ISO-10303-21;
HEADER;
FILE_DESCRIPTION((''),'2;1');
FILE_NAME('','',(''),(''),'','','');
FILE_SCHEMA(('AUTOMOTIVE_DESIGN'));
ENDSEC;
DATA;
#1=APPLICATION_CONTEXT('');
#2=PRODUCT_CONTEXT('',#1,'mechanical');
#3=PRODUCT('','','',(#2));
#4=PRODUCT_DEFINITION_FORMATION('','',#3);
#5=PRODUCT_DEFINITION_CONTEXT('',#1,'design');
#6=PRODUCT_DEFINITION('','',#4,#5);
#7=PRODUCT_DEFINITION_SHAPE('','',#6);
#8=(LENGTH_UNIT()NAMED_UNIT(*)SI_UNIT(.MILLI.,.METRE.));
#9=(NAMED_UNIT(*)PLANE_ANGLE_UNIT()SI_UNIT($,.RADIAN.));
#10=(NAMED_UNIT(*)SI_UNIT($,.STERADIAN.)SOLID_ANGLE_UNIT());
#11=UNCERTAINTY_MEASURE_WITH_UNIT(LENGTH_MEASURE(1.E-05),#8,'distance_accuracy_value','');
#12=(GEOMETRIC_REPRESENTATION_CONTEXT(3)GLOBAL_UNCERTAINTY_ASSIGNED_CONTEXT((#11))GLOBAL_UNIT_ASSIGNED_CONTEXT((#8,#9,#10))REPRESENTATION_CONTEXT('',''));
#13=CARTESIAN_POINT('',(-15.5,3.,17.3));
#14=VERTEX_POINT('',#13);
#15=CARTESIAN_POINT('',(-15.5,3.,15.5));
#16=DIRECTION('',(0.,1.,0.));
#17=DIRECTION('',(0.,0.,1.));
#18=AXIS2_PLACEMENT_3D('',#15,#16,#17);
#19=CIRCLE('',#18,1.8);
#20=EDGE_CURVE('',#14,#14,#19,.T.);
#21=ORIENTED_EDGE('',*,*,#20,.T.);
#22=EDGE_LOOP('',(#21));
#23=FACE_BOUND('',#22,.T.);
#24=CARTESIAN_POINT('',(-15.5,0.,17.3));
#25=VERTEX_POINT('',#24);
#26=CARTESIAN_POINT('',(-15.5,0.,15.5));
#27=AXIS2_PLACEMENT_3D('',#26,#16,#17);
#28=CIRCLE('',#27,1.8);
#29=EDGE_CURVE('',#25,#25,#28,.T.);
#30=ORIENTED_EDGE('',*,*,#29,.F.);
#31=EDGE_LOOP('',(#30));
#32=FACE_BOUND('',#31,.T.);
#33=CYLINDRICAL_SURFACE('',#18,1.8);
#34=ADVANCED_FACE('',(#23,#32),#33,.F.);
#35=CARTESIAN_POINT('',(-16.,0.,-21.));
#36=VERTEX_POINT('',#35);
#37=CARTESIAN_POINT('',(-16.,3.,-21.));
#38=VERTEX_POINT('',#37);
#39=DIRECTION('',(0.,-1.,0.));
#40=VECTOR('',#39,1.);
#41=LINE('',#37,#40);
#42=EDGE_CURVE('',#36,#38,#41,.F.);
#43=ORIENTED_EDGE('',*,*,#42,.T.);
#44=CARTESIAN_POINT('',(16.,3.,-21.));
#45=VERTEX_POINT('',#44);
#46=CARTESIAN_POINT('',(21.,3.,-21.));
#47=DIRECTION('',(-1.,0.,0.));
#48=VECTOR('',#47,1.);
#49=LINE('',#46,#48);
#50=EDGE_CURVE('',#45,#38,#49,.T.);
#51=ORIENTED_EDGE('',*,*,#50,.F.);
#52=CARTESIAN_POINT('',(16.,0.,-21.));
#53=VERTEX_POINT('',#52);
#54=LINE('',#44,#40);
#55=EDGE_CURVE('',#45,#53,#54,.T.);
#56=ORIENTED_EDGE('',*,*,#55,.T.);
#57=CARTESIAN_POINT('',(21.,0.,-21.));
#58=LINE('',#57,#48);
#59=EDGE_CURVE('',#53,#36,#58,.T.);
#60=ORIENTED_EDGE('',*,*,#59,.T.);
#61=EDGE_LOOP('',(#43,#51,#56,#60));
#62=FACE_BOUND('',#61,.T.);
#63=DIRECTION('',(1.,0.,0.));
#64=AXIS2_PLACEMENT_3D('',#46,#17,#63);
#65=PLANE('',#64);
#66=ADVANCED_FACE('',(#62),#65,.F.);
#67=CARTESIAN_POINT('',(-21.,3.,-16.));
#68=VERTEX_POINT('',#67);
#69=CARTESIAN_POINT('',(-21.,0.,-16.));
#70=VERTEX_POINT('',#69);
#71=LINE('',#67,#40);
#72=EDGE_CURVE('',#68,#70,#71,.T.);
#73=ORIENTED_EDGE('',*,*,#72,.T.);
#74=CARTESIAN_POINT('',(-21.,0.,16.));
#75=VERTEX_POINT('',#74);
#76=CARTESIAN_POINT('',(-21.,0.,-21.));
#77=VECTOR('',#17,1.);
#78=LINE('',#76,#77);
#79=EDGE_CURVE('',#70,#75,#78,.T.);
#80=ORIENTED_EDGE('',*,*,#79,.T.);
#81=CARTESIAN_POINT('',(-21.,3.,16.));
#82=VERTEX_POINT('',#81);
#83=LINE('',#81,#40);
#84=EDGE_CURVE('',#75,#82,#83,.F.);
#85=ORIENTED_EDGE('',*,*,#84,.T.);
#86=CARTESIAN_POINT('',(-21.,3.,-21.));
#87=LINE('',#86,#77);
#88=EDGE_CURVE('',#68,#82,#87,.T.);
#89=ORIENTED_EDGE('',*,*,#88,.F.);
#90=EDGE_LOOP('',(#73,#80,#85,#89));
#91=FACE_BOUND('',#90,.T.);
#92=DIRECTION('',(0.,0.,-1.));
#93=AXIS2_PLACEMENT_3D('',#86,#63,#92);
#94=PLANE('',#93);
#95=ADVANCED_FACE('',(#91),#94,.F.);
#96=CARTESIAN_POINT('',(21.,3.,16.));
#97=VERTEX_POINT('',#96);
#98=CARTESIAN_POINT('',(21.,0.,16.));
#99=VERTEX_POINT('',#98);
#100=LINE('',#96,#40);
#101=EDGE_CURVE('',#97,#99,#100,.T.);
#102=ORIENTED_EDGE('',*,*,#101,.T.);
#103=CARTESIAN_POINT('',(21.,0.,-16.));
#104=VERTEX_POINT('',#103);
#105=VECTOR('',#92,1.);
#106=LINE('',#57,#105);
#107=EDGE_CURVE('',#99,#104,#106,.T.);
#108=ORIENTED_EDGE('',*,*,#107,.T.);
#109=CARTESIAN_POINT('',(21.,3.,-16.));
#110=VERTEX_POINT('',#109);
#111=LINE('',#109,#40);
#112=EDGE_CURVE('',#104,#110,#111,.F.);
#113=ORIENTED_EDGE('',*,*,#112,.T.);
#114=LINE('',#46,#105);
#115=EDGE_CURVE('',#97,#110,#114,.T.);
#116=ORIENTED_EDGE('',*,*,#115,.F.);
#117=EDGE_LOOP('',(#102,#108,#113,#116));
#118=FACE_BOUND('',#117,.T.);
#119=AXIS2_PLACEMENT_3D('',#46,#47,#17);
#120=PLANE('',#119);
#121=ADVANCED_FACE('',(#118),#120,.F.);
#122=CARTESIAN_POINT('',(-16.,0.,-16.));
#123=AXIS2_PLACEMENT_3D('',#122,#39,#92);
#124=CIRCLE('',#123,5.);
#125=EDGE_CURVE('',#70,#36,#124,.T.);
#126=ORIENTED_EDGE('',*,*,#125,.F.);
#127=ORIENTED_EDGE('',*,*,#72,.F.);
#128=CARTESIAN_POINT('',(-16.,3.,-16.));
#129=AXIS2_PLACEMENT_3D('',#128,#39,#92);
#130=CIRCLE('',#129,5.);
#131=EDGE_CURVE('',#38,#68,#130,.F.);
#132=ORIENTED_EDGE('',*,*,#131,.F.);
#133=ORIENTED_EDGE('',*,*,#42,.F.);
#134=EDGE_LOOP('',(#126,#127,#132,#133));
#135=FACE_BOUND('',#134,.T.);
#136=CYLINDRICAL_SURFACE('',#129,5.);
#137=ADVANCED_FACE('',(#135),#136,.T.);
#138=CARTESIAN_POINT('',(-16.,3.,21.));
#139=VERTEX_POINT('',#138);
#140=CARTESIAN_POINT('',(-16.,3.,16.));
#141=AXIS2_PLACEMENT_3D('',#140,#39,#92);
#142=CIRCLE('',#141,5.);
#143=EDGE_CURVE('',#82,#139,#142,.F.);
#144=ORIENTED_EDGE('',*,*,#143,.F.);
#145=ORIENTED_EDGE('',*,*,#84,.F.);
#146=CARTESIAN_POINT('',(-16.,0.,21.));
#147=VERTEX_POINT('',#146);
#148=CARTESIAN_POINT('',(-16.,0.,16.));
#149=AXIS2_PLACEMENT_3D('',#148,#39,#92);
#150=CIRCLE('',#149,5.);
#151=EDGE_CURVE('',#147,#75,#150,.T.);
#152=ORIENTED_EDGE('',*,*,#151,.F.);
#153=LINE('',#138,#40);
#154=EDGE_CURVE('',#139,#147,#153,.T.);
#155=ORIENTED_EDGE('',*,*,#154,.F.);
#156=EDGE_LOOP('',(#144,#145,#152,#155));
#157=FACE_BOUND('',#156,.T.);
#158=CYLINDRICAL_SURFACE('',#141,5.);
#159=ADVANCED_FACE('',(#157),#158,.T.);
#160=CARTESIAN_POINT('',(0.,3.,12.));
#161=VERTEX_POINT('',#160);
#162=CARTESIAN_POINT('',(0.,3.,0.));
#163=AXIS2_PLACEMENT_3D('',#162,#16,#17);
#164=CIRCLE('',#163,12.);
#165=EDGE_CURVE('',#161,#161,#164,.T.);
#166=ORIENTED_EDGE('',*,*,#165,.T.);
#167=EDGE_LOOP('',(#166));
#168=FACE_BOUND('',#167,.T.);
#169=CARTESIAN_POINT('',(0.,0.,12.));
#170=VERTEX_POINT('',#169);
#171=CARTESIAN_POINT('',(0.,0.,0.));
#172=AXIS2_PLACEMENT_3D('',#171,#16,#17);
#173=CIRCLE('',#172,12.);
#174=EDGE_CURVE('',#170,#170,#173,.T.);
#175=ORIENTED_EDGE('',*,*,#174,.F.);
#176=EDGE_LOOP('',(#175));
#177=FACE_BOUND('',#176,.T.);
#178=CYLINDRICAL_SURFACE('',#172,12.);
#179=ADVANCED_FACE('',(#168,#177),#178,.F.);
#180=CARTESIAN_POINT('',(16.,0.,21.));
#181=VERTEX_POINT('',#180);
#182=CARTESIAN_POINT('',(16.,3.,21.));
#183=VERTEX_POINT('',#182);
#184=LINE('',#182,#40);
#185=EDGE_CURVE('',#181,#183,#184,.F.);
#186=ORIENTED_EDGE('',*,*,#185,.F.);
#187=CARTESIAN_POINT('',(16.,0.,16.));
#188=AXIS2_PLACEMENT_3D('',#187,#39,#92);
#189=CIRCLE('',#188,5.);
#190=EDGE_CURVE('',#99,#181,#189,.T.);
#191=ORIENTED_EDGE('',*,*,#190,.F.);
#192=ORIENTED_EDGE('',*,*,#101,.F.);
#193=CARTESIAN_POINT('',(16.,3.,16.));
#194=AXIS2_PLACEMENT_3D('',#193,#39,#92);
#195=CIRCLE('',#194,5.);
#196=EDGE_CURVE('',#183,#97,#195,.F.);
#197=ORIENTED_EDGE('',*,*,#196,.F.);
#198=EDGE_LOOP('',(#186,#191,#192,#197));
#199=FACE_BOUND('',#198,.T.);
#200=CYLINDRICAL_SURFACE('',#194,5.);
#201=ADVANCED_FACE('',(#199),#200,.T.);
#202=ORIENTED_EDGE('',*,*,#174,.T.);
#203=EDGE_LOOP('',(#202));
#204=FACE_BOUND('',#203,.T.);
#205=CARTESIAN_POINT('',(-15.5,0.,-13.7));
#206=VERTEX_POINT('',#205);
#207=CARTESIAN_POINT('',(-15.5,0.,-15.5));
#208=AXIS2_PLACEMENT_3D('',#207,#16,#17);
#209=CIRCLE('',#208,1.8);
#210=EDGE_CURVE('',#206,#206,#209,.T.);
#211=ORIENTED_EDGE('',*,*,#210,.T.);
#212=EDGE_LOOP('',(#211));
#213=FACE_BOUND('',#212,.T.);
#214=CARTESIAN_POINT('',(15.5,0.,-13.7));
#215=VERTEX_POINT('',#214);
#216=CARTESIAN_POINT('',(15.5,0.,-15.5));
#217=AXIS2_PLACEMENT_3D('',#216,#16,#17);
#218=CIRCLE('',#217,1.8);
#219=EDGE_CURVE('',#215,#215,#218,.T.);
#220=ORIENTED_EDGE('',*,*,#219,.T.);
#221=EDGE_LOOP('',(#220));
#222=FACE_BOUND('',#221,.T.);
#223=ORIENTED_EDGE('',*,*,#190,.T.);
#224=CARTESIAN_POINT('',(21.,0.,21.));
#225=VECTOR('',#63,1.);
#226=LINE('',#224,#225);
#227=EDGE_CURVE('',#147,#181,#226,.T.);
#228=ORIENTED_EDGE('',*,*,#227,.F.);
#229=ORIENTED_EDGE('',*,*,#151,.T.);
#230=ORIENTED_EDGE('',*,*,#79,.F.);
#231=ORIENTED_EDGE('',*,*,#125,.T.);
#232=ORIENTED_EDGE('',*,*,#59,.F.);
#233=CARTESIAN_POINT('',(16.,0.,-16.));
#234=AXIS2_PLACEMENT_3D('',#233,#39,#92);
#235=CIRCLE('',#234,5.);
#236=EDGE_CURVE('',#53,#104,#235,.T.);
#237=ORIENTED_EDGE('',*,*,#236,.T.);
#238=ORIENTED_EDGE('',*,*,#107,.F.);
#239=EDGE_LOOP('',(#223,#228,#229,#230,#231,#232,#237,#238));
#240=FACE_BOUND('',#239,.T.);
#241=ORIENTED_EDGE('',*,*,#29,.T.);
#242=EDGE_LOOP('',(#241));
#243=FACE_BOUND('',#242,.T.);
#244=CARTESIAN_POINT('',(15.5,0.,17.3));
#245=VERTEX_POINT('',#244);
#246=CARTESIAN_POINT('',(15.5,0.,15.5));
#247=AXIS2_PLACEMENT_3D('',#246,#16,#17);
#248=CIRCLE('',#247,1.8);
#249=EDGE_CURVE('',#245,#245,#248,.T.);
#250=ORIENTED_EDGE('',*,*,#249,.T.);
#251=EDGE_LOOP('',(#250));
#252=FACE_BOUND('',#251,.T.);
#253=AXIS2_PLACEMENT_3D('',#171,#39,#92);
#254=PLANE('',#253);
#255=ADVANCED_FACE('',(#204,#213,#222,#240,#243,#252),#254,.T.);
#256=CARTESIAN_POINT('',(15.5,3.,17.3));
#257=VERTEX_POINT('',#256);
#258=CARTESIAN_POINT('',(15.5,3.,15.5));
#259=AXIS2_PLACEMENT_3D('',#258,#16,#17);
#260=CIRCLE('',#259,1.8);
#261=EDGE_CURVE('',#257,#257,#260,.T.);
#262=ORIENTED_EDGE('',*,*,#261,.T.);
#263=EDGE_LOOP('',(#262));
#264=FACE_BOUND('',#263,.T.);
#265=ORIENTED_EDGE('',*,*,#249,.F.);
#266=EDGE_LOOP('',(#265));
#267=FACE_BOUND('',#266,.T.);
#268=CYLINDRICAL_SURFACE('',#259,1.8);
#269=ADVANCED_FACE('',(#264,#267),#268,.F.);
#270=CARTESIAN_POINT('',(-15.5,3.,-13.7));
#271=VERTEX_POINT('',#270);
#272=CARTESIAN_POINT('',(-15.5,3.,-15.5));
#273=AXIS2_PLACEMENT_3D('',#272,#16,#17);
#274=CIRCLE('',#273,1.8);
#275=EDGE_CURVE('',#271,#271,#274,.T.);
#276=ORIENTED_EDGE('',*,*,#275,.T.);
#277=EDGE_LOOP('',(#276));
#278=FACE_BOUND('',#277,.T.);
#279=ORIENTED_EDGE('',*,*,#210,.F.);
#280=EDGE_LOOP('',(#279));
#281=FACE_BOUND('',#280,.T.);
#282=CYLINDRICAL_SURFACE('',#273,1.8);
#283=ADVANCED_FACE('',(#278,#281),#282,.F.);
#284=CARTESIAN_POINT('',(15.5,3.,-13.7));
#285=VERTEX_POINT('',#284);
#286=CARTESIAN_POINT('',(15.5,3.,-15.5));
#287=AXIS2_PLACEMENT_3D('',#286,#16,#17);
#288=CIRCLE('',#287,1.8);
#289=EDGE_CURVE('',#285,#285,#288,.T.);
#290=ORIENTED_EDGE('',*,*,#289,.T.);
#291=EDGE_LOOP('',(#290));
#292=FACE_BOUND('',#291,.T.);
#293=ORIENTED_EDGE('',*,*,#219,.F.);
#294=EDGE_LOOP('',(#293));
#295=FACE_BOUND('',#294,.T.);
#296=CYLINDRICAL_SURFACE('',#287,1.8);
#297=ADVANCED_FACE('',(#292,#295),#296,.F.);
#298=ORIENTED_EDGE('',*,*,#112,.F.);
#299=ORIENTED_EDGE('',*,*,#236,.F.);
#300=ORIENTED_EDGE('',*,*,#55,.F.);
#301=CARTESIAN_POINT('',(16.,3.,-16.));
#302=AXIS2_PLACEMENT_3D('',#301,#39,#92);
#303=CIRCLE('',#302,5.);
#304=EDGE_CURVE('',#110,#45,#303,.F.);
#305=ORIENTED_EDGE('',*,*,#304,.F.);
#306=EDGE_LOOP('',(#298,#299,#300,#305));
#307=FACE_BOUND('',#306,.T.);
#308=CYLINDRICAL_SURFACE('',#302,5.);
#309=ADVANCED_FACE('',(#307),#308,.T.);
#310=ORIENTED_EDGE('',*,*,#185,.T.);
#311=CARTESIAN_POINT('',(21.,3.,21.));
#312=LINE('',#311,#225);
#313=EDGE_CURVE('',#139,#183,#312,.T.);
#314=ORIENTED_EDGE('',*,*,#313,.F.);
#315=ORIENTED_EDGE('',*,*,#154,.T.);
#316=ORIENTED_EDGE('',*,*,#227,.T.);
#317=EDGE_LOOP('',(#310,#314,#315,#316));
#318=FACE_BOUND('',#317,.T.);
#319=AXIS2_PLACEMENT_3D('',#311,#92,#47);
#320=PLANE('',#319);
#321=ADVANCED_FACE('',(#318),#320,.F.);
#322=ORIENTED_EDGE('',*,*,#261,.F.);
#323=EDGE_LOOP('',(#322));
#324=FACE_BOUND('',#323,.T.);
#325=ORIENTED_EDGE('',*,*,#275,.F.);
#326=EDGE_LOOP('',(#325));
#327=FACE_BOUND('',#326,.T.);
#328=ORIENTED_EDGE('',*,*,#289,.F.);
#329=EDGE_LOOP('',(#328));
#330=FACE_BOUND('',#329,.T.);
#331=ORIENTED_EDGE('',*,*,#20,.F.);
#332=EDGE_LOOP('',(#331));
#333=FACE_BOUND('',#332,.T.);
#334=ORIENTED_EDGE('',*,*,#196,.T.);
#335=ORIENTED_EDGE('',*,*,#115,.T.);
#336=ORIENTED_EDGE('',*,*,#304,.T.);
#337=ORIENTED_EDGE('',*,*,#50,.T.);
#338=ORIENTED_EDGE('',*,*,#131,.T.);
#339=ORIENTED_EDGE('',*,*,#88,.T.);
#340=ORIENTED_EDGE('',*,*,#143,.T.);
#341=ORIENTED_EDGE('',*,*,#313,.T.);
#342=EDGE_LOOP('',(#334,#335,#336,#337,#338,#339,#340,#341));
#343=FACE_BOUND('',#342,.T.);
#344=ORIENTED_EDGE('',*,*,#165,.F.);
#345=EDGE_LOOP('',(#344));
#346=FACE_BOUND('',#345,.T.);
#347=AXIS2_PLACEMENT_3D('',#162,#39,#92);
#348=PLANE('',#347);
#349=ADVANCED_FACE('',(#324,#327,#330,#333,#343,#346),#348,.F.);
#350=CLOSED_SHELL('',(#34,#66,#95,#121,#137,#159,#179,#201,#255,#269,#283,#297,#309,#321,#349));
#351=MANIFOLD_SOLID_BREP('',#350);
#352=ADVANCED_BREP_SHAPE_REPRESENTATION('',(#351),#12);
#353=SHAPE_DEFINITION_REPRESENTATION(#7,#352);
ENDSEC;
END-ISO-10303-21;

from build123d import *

# Parameters (mm, degrees)
SKETCH1_W            = 42
SKETCH1_H            = 42
BOSS_EXTRUDE1_DEPTH  = 3
M3_CLEARANCE_HOLE1_D = 3.6
SKETCH4_R            = 12
CUT_EXTRUDE1_DEPTH   = 4
FILLET1_R            = 5


with BuildPart() as part:
    # Sketch1 → Boss-Extrude1 (new body)
    with BuildSketch(Plane(origin=(0, 0, 0), x_dir=(1, 0, 0), z_dir=(0, 1, 0))):
        Rectangle(SKETCH1_W, SKETCH1_H)
    extrude(amount=BOSS_EXTRUDE1_DEPTH)

    # M3 Clearance Hole1 (through all)
    with Locations(Plane(origin=(0, 3, 0), x_dir=(1, 0, 0), z_dir=(0, 1, 0))):
        with Locations((-15.5, 15.5), (-15.5, -15.5), (15.5, -15.5), (15.5, 15.5)):
            Hole(M3_CLEARANCE_HOLE1_D / 2)

    # Sketch4 → Cut-Extrude1 (cut, through all)
    with BuildSketch(Plane(origin=(0, 3, 0), x_dir=(1, 0, 0), z_dir=(0, 1, 0))):
        Circle(SKETCH4_R)
    extrude(amount=-CUT_EXTRUDE1_DEPTH, mode=Mode.SUBTRACT)

    # Fillet1
    fillet1_edges = [part.edges().sort_by_distance(p)[0] for p in [
        (-21, 1.5, -21),
        (21, 1.5, -21),
        (21, 1.5, 21),
        (-21, 1.5, 21),
    ]]
    fillet(fillet1_edges, radius=FILLET1_R)


solid = part.part
